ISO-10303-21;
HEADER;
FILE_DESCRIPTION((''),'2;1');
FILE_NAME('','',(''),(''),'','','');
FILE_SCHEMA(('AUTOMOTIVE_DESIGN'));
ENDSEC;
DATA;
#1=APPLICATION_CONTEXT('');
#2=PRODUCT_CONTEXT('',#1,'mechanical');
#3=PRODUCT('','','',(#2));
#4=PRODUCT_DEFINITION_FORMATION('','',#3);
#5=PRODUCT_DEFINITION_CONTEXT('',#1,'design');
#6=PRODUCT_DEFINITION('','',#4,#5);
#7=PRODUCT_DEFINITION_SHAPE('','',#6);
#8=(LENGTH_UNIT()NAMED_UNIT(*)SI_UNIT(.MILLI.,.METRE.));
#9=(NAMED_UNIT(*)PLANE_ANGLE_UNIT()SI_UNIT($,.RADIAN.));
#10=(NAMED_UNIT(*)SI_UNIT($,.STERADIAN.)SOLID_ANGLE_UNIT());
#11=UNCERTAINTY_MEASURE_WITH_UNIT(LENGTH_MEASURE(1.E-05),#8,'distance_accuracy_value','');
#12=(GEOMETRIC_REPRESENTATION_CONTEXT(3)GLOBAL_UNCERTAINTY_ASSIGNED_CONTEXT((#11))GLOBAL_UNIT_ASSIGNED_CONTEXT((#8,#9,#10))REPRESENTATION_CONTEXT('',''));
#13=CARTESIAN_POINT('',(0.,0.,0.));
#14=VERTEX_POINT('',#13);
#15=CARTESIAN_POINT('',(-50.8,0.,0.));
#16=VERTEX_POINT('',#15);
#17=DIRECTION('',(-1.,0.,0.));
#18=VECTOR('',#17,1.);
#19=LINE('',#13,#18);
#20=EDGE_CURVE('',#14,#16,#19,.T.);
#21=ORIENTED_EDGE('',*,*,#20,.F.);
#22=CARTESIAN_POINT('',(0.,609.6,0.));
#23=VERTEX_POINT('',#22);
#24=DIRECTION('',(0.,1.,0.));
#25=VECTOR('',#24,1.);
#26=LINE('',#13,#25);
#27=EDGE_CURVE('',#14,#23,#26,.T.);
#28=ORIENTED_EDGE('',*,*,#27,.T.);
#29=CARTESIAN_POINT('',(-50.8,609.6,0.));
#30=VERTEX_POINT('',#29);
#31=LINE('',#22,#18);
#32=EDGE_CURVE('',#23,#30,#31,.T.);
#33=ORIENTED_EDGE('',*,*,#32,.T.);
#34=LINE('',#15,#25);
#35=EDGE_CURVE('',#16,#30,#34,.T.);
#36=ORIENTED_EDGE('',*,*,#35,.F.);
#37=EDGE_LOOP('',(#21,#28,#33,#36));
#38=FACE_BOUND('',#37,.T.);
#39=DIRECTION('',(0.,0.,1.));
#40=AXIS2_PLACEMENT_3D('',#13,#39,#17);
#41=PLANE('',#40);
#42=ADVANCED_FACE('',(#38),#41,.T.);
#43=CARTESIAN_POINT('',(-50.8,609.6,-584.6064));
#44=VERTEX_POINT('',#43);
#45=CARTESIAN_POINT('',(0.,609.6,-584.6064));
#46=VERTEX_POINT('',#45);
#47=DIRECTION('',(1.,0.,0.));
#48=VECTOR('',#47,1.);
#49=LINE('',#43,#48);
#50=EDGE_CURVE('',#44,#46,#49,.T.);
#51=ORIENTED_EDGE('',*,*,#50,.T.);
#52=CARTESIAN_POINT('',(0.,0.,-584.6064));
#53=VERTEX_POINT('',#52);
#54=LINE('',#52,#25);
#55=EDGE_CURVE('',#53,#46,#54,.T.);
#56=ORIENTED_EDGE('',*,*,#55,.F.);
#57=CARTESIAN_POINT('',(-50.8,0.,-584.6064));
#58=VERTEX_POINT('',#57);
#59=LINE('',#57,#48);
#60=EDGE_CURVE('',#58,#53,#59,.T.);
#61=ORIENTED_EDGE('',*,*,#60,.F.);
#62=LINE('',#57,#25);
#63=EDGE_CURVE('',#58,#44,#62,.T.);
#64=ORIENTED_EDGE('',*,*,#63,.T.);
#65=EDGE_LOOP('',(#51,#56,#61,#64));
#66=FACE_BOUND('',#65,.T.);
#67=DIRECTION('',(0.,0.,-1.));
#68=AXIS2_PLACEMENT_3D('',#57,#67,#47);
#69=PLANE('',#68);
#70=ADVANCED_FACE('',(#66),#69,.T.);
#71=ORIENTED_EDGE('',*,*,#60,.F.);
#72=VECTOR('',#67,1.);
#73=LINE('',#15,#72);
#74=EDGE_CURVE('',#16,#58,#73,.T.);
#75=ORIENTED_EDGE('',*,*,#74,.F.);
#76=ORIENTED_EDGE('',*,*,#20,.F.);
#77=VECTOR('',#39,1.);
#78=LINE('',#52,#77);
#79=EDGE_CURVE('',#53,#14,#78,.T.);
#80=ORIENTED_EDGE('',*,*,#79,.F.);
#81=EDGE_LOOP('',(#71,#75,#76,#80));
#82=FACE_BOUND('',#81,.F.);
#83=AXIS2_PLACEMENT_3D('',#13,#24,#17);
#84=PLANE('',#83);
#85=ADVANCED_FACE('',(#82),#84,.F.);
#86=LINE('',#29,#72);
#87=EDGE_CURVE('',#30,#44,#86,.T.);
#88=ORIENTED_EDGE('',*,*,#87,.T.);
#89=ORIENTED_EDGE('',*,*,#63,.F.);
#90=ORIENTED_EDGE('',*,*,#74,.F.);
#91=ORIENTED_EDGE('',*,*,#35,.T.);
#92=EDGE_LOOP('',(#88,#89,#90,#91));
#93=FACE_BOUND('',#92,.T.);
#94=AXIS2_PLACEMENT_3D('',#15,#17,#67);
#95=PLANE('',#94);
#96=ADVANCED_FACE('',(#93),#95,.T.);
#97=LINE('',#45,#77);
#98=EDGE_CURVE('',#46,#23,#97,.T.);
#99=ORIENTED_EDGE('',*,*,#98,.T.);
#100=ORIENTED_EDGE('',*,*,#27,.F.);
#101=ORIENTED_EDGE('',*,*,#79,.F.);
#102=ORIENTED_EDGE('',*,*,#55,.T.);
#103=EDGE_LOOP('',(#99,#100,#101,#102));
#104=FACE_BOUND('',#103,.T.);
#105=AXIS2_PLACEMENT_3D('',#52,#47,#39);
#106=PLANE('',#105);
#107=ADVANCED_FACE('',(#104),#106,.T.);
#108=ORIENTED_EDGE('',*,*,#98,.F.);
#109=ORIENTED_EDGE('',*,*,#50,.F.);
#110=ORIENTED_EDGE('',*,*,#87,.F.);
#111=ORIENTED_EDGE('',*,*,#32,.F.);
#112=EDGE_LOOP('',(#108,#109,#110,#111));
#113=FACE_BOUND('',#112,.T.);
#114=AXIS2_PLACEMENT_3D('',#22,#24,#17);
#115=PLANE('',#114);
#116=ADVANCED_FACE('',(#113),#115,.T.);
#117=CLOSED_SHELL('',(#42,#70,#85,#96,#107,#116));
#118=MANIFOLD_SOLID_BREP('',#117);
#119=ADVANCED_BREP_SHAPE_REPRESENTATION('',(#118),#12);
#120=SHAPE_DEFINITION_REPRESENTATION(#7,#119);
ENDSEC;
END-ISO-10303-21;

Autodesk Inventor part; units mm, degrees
ref_plane "YZ Plane" through (0, 0, 0) normal (1, 0, 0) x (0, 1, 0)
ref_plane "XZ Plane" through (0, 0, 0) normal (0, 1, 0) x (-1, 0, 0)
ref_plane "XY Plane" through (0, 0, 0) normal (0, 0, 1) x (1, 0, 0)
sketch "Sketch1" plane through (0, 0, 0) normal (0, 1, 0) x (-1, 0, 0)
  line L0 (0, 0) -> (50.8, 0)
  line L1 (50.8, 0) -> (50.8, -584.6064)
  line L2 (50.8, -584.6064) -> (0, -584.6064)
  line L3 (0, -584.6064) -> (0, 0)
  dimension "d0" = 584.6064
  dimension "d1" = 50.8
extrude "Extrusion1" add sketch "Sketch1" along normal blind 609.6
sketch "Sketch2" plane through (0, 609.6, 0) normal (0, 1, 0) x (1, 0, 0)
  point P0 (0, 0)
properties part number "ThickLeg" material "Wood (Birch)"
